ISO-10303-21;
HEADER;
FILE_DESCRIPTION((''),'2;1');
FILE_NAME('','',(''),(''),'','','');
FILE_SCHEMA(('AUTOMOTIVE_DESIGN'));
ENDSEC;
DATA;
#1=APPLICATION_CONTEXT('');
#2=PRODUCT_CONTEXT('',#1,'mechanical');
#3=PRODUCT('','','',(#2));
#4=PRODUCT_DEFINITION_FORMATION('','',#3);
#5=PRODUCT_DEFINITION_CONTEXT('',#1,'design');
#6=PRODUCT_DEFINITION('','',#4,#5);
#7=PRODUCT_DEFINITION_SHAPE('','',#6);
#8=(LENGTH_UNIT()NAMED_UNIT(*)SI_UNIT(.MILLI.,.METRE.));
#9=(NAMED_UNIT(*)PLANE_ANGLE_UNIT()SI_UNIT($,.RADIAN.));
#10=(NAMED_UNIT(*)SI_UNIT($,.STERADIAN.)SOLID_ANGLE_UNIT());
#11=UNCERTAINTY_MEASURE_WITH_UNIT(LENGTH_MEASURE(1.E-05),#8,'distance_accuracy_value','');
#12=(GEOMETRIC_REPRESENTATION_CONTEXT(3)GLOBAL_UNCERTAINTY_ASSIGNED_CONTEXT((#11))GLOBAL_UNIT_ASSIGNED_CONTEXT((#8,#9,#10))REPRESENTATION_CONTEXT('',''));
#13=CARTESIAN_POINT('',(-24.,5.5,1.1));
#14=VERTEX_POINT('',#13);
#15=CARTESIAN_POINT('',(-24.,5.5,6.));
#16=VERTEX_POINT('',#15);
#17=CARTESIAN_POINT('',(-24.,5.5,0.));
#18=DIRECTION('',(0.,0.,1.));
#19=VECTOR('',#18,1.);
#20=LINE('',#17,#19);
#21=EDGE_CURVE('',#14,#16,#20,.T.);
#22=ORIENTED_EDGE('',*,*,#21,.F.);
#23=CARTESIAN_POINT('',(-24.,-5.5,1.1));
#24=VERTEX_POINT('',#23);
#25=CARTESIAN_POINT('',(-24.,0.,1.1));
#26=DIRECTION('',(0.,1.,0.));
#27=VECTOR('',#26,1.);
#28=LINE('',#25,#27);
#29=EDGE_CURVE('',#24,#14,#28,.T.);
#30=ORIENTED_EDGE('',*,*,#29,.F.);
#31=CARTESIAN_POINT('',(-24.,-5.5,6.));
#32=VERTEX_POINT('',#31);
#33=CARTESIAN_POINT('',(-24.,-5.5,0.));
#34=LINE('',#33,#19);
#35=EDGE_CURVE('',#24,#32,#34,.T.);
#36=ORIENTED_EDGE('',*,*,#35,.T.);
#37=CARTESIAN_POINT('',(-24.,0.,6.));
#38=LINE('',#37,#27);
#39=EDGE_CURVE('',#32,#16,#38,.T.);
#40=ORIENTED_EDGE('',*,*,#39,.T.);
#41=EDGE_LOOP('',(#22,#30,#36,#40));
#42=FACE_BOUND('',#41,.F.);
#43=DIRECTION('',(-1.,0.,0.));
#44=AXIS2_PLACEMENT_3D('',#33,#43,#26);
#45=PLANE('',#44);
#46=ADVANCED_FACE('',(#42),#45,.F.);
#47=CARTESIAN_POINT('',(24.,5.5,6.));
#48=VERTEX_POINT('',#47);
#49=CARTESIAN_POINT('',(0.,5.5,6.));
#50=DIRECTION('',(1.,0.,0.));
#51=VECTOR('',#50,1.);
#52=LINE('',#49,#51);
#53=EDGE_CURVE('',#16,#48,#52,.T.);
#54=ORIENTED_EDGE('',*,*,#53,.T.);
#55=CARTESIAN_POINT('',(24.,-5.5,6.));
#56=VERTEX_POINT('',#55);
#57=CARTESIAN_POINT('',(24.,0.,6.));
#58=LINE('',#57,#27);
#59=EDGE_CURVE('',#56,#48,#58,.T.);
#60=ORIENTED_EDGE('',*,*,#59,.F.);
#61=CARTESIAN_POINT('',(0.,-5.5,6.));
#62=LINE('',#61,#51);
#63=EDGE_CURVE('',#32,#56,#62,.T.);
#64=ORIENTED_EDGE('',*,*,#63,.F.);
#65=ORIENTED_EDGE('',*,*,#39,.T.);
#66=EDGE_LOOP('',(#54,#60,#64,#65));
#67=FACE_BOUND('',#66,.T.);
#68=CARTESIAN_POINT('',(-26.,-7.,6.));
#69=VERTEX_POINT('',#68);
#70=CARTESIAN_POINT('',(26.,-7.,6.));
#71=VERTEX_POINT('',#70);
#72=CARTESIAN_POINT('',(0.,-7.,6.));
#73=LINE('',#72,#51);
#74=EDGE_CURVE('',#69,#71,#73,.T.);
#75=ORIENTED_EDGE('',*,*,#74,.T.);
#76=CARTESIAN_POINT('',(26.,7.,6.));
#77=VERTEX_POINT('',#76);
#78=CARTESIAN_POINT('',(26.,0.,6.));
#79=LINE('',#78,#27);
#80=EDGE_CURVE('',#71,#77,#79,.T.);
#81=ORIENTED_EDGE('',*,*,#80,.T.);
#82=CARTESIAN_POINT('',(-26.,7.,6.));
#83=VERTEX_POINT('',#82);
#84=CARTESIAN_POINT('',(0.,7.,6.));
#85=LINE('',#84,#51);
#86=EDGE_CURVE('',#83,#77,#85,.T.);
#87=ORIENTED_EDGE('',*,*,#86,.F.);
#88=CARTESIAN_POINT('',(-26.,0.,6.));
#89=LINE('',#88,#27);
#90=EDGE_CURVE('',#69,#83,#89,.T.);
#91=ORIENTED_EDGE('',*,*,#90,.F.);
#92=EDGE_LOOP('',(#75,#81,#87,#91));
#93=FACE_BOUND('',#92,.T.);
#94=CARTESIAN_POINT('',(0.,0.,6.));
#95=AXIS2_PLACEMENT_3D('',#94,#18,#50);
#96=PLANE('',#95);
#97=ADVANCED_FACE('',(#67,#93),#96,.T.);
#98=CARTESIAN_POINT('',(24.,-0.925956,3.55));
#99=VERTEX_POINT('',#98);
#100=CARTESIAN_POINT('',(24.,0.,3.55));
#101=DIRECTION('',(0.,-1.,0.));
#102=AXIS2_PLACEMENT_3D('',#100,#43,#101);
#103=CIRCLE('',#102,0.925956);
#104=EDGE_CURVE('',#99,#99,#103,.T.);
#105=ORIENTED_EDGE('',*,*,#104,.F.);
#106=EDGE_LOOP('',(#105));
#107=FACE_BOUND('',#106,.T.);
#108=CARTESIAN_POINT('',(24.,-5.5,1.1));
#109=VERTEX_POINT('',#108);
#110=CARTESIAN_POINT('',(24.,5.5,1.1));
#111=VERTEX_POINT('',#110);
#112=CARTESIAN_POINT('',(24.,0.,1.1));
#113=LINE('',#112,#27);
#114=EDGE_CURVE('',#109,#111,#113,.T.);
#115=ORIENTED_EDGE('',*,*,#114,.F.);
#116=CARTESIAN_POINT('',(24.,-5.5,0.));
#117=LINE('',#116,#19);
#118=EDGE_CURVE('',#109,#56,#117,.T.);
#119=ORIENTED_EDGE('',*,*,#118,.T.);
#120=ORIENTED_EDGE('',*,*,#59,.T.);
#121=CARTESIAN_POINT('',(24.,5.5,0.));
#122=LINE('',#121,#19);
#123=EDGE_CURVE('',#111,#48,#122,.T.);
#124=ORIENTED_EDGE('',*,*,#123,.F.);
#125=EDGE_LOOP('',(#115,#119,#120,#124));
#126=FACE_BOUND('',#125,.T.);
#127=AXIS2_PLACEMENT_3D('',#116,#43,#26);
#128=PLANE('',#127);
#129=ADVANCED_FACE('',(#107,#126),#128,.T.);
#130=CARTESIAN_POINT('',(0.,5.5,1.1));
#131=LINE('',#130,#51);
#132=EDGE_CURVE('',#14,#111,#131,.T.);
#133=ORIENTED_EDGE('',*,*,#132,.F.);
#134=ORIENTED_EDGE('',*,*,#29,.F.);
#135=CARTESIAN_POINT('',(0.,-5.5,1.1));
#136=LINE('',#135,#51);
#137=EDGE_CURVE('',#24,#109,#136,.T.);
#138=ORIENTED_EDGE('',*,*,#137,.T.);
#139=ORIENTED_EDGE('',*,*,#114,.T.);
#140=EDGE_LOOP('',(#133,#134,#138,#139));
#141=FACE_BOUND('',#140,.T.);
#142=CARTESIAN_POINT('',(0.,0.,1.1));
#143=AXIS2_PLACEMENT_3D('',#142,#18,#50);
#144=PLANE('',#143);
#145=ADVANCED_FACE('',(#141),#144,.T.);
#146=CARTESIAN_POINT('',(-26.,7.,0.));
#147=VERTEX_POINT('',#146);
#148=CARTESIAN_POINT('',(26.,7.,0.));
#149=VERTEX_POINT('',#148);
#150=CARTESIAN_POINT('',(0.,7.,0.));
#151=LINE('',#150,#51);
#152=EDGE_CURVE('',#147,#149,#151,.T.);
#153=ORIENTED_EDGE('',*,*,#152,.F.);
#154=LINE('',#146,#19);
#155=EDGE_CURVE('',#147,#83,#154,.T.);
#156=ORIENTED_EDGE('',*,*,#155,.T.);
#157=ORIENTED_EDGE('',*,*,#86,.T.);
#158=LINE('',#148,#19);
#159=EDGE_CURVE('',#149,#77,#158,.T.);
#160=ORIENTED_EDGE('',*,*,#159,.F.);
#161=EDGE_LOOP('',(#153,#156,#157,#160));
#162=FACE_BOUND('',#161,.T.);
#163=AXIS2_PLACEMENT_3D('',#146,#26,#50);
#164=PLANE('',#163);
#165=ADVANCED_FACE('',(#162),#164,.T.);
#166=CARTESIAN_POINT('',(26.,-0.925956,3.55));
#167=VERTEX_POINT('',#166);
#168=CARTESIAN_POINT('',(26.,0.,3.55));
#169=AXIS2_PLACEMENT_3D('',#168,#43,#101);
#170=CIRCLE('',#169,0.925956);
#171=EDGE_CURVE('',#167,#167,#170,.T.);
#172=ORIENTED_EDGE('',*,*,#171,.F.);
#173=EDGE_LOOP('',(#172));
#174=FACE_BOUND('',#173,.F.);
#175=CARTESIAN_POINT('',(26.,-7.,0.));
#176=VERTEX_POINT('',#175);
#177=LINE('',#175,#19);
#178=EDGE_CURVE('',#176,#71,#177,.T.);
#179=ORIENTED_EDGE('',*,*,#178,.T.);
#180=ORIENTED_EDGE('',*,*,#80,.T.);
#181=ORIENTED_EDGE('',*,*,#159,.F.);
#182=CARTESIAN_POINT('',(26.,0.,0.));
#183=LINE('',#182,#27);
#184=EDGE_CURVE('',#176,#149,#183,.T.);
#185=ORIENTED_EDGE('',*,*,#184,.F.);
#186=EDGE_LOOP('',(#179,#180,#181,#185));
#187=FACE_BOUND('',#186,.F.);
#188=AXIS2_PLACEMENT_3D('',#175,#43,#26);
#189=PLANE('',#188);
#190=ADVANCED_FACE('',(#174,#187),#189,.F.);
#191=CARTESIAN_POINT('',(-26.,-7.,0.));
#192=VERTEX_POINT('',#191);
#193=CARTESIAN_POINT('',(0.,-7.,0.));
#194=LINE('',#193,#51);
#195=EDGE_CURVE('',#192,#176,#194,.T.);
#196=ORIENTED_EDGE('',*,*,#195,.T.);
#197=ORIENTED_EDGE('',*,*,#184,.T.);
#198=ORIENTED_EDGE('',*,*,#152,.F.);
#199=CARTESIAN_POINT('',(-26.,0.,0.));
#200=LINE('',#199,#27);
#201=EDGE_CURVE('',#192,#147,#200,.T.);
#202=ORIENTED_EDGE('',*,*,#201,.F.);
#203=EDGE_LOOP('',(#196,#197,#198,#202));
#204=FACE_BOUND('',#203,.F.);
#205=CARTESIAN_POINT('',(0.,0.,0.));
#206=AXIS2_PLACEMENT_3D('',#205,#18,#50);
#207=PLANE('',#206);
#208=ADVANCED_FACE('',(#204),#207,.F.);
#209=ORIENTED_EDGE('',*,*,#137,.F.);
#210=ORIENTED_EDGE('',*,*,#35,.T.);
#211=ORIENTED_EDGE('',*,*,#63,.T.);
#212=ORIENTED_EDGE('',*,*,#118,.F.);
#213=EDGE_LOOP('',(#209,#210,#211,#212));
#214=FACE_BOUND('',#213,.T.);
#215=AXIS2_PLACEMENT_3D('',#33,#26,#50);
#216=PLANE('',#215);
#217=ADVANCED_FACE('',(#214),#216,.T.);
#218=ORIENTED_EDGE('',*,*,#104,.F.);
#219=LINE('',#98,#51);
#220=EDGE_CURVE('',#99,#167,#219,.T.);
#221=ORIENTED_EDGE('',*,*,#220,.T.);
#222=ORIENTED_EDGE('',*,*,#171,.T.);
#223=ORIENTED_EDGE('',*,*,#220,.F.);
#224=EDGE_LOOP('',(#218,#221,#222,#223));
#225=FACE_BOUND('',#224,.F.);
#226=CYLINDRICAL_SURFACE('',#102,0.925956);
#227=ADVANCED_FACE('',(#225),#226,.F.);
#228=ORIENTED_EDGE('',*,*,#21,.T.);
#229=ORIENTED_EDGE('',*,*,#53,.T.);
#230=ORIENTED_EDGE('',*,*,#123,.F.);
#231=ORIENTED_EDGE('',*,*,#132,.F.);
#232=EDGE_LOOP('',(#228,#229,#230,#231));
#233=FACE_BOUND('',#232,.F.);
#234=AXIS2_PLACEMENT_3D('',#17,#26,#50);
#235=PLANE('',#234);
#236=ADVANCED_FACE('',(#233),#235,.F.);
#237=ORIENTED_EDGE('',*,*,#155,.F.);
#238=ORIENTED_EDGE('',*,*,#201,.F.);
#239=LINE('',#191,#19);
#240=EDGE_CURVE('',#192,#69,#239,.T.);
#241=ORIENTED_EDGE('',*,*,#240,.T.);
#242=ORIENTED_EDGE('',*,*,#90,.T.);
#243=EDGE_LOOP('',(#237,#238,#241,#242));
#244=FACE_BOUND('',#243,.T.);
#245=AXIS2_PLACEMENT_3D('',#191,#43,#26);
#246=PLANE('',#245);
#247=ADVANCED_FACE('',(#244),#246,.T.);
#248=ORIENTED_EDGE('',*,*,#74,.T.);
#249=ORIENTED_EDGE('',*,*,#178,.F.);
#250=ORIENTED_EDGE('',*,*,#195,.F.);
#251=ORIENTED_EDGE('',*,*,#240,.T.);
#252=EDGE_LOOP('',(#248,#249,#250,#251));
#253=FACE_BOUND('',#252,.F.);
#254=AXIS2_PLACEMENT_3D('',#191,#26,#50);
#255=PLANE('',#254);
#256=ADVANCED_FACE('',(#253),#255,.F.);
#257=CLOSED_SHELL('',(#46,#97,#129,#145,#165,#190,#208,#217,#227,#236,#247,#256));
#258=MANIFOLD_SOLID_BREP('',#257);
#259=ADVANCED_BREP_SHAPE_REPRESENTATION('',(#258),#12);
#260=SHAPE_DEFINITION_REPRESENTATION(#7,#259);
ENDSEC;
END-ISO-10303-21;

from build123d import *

# Parameters (mm, degrees)
F0_W     = 48
F0_H     = 11
F1_DEPTH = 1.1
F0_W_2   = 52
F0_H_2   = 14
F2_DEPTH = 6
F3_R     = 0.925956
F4_DEPTH = 25


with BuildPart() as f1:
    # F0 (on Top) → F1 (new body)
    with BuildSketch(Plane.XY):
        Rectangle(F0_W, F0_H)
    extrude(amount=F1_DEPTH)

    # F0 (on Top) → F2 (join)
    with BuildSketch(Plane.XY):
        Rectangle(F0_W_2, F0_H_2)
        Rectangle(F0_W, F0_H, mode=Mode.SUBTRACT)
    extrude(amount=F2_DEPTH)

    # F3 (on face) → F4 (cut)
    with BuildSketch(Plane(origin=(24, 0, 0), x_dir=(0, -1, 0), z_dir=(-1, 0, 0))):
        with Locations((0, 3.55)):
            Circle(F3_R)
    extrude(amount=-F4_DEPTH, mode=Mode.SUBTRACT)


solid = f1.part
